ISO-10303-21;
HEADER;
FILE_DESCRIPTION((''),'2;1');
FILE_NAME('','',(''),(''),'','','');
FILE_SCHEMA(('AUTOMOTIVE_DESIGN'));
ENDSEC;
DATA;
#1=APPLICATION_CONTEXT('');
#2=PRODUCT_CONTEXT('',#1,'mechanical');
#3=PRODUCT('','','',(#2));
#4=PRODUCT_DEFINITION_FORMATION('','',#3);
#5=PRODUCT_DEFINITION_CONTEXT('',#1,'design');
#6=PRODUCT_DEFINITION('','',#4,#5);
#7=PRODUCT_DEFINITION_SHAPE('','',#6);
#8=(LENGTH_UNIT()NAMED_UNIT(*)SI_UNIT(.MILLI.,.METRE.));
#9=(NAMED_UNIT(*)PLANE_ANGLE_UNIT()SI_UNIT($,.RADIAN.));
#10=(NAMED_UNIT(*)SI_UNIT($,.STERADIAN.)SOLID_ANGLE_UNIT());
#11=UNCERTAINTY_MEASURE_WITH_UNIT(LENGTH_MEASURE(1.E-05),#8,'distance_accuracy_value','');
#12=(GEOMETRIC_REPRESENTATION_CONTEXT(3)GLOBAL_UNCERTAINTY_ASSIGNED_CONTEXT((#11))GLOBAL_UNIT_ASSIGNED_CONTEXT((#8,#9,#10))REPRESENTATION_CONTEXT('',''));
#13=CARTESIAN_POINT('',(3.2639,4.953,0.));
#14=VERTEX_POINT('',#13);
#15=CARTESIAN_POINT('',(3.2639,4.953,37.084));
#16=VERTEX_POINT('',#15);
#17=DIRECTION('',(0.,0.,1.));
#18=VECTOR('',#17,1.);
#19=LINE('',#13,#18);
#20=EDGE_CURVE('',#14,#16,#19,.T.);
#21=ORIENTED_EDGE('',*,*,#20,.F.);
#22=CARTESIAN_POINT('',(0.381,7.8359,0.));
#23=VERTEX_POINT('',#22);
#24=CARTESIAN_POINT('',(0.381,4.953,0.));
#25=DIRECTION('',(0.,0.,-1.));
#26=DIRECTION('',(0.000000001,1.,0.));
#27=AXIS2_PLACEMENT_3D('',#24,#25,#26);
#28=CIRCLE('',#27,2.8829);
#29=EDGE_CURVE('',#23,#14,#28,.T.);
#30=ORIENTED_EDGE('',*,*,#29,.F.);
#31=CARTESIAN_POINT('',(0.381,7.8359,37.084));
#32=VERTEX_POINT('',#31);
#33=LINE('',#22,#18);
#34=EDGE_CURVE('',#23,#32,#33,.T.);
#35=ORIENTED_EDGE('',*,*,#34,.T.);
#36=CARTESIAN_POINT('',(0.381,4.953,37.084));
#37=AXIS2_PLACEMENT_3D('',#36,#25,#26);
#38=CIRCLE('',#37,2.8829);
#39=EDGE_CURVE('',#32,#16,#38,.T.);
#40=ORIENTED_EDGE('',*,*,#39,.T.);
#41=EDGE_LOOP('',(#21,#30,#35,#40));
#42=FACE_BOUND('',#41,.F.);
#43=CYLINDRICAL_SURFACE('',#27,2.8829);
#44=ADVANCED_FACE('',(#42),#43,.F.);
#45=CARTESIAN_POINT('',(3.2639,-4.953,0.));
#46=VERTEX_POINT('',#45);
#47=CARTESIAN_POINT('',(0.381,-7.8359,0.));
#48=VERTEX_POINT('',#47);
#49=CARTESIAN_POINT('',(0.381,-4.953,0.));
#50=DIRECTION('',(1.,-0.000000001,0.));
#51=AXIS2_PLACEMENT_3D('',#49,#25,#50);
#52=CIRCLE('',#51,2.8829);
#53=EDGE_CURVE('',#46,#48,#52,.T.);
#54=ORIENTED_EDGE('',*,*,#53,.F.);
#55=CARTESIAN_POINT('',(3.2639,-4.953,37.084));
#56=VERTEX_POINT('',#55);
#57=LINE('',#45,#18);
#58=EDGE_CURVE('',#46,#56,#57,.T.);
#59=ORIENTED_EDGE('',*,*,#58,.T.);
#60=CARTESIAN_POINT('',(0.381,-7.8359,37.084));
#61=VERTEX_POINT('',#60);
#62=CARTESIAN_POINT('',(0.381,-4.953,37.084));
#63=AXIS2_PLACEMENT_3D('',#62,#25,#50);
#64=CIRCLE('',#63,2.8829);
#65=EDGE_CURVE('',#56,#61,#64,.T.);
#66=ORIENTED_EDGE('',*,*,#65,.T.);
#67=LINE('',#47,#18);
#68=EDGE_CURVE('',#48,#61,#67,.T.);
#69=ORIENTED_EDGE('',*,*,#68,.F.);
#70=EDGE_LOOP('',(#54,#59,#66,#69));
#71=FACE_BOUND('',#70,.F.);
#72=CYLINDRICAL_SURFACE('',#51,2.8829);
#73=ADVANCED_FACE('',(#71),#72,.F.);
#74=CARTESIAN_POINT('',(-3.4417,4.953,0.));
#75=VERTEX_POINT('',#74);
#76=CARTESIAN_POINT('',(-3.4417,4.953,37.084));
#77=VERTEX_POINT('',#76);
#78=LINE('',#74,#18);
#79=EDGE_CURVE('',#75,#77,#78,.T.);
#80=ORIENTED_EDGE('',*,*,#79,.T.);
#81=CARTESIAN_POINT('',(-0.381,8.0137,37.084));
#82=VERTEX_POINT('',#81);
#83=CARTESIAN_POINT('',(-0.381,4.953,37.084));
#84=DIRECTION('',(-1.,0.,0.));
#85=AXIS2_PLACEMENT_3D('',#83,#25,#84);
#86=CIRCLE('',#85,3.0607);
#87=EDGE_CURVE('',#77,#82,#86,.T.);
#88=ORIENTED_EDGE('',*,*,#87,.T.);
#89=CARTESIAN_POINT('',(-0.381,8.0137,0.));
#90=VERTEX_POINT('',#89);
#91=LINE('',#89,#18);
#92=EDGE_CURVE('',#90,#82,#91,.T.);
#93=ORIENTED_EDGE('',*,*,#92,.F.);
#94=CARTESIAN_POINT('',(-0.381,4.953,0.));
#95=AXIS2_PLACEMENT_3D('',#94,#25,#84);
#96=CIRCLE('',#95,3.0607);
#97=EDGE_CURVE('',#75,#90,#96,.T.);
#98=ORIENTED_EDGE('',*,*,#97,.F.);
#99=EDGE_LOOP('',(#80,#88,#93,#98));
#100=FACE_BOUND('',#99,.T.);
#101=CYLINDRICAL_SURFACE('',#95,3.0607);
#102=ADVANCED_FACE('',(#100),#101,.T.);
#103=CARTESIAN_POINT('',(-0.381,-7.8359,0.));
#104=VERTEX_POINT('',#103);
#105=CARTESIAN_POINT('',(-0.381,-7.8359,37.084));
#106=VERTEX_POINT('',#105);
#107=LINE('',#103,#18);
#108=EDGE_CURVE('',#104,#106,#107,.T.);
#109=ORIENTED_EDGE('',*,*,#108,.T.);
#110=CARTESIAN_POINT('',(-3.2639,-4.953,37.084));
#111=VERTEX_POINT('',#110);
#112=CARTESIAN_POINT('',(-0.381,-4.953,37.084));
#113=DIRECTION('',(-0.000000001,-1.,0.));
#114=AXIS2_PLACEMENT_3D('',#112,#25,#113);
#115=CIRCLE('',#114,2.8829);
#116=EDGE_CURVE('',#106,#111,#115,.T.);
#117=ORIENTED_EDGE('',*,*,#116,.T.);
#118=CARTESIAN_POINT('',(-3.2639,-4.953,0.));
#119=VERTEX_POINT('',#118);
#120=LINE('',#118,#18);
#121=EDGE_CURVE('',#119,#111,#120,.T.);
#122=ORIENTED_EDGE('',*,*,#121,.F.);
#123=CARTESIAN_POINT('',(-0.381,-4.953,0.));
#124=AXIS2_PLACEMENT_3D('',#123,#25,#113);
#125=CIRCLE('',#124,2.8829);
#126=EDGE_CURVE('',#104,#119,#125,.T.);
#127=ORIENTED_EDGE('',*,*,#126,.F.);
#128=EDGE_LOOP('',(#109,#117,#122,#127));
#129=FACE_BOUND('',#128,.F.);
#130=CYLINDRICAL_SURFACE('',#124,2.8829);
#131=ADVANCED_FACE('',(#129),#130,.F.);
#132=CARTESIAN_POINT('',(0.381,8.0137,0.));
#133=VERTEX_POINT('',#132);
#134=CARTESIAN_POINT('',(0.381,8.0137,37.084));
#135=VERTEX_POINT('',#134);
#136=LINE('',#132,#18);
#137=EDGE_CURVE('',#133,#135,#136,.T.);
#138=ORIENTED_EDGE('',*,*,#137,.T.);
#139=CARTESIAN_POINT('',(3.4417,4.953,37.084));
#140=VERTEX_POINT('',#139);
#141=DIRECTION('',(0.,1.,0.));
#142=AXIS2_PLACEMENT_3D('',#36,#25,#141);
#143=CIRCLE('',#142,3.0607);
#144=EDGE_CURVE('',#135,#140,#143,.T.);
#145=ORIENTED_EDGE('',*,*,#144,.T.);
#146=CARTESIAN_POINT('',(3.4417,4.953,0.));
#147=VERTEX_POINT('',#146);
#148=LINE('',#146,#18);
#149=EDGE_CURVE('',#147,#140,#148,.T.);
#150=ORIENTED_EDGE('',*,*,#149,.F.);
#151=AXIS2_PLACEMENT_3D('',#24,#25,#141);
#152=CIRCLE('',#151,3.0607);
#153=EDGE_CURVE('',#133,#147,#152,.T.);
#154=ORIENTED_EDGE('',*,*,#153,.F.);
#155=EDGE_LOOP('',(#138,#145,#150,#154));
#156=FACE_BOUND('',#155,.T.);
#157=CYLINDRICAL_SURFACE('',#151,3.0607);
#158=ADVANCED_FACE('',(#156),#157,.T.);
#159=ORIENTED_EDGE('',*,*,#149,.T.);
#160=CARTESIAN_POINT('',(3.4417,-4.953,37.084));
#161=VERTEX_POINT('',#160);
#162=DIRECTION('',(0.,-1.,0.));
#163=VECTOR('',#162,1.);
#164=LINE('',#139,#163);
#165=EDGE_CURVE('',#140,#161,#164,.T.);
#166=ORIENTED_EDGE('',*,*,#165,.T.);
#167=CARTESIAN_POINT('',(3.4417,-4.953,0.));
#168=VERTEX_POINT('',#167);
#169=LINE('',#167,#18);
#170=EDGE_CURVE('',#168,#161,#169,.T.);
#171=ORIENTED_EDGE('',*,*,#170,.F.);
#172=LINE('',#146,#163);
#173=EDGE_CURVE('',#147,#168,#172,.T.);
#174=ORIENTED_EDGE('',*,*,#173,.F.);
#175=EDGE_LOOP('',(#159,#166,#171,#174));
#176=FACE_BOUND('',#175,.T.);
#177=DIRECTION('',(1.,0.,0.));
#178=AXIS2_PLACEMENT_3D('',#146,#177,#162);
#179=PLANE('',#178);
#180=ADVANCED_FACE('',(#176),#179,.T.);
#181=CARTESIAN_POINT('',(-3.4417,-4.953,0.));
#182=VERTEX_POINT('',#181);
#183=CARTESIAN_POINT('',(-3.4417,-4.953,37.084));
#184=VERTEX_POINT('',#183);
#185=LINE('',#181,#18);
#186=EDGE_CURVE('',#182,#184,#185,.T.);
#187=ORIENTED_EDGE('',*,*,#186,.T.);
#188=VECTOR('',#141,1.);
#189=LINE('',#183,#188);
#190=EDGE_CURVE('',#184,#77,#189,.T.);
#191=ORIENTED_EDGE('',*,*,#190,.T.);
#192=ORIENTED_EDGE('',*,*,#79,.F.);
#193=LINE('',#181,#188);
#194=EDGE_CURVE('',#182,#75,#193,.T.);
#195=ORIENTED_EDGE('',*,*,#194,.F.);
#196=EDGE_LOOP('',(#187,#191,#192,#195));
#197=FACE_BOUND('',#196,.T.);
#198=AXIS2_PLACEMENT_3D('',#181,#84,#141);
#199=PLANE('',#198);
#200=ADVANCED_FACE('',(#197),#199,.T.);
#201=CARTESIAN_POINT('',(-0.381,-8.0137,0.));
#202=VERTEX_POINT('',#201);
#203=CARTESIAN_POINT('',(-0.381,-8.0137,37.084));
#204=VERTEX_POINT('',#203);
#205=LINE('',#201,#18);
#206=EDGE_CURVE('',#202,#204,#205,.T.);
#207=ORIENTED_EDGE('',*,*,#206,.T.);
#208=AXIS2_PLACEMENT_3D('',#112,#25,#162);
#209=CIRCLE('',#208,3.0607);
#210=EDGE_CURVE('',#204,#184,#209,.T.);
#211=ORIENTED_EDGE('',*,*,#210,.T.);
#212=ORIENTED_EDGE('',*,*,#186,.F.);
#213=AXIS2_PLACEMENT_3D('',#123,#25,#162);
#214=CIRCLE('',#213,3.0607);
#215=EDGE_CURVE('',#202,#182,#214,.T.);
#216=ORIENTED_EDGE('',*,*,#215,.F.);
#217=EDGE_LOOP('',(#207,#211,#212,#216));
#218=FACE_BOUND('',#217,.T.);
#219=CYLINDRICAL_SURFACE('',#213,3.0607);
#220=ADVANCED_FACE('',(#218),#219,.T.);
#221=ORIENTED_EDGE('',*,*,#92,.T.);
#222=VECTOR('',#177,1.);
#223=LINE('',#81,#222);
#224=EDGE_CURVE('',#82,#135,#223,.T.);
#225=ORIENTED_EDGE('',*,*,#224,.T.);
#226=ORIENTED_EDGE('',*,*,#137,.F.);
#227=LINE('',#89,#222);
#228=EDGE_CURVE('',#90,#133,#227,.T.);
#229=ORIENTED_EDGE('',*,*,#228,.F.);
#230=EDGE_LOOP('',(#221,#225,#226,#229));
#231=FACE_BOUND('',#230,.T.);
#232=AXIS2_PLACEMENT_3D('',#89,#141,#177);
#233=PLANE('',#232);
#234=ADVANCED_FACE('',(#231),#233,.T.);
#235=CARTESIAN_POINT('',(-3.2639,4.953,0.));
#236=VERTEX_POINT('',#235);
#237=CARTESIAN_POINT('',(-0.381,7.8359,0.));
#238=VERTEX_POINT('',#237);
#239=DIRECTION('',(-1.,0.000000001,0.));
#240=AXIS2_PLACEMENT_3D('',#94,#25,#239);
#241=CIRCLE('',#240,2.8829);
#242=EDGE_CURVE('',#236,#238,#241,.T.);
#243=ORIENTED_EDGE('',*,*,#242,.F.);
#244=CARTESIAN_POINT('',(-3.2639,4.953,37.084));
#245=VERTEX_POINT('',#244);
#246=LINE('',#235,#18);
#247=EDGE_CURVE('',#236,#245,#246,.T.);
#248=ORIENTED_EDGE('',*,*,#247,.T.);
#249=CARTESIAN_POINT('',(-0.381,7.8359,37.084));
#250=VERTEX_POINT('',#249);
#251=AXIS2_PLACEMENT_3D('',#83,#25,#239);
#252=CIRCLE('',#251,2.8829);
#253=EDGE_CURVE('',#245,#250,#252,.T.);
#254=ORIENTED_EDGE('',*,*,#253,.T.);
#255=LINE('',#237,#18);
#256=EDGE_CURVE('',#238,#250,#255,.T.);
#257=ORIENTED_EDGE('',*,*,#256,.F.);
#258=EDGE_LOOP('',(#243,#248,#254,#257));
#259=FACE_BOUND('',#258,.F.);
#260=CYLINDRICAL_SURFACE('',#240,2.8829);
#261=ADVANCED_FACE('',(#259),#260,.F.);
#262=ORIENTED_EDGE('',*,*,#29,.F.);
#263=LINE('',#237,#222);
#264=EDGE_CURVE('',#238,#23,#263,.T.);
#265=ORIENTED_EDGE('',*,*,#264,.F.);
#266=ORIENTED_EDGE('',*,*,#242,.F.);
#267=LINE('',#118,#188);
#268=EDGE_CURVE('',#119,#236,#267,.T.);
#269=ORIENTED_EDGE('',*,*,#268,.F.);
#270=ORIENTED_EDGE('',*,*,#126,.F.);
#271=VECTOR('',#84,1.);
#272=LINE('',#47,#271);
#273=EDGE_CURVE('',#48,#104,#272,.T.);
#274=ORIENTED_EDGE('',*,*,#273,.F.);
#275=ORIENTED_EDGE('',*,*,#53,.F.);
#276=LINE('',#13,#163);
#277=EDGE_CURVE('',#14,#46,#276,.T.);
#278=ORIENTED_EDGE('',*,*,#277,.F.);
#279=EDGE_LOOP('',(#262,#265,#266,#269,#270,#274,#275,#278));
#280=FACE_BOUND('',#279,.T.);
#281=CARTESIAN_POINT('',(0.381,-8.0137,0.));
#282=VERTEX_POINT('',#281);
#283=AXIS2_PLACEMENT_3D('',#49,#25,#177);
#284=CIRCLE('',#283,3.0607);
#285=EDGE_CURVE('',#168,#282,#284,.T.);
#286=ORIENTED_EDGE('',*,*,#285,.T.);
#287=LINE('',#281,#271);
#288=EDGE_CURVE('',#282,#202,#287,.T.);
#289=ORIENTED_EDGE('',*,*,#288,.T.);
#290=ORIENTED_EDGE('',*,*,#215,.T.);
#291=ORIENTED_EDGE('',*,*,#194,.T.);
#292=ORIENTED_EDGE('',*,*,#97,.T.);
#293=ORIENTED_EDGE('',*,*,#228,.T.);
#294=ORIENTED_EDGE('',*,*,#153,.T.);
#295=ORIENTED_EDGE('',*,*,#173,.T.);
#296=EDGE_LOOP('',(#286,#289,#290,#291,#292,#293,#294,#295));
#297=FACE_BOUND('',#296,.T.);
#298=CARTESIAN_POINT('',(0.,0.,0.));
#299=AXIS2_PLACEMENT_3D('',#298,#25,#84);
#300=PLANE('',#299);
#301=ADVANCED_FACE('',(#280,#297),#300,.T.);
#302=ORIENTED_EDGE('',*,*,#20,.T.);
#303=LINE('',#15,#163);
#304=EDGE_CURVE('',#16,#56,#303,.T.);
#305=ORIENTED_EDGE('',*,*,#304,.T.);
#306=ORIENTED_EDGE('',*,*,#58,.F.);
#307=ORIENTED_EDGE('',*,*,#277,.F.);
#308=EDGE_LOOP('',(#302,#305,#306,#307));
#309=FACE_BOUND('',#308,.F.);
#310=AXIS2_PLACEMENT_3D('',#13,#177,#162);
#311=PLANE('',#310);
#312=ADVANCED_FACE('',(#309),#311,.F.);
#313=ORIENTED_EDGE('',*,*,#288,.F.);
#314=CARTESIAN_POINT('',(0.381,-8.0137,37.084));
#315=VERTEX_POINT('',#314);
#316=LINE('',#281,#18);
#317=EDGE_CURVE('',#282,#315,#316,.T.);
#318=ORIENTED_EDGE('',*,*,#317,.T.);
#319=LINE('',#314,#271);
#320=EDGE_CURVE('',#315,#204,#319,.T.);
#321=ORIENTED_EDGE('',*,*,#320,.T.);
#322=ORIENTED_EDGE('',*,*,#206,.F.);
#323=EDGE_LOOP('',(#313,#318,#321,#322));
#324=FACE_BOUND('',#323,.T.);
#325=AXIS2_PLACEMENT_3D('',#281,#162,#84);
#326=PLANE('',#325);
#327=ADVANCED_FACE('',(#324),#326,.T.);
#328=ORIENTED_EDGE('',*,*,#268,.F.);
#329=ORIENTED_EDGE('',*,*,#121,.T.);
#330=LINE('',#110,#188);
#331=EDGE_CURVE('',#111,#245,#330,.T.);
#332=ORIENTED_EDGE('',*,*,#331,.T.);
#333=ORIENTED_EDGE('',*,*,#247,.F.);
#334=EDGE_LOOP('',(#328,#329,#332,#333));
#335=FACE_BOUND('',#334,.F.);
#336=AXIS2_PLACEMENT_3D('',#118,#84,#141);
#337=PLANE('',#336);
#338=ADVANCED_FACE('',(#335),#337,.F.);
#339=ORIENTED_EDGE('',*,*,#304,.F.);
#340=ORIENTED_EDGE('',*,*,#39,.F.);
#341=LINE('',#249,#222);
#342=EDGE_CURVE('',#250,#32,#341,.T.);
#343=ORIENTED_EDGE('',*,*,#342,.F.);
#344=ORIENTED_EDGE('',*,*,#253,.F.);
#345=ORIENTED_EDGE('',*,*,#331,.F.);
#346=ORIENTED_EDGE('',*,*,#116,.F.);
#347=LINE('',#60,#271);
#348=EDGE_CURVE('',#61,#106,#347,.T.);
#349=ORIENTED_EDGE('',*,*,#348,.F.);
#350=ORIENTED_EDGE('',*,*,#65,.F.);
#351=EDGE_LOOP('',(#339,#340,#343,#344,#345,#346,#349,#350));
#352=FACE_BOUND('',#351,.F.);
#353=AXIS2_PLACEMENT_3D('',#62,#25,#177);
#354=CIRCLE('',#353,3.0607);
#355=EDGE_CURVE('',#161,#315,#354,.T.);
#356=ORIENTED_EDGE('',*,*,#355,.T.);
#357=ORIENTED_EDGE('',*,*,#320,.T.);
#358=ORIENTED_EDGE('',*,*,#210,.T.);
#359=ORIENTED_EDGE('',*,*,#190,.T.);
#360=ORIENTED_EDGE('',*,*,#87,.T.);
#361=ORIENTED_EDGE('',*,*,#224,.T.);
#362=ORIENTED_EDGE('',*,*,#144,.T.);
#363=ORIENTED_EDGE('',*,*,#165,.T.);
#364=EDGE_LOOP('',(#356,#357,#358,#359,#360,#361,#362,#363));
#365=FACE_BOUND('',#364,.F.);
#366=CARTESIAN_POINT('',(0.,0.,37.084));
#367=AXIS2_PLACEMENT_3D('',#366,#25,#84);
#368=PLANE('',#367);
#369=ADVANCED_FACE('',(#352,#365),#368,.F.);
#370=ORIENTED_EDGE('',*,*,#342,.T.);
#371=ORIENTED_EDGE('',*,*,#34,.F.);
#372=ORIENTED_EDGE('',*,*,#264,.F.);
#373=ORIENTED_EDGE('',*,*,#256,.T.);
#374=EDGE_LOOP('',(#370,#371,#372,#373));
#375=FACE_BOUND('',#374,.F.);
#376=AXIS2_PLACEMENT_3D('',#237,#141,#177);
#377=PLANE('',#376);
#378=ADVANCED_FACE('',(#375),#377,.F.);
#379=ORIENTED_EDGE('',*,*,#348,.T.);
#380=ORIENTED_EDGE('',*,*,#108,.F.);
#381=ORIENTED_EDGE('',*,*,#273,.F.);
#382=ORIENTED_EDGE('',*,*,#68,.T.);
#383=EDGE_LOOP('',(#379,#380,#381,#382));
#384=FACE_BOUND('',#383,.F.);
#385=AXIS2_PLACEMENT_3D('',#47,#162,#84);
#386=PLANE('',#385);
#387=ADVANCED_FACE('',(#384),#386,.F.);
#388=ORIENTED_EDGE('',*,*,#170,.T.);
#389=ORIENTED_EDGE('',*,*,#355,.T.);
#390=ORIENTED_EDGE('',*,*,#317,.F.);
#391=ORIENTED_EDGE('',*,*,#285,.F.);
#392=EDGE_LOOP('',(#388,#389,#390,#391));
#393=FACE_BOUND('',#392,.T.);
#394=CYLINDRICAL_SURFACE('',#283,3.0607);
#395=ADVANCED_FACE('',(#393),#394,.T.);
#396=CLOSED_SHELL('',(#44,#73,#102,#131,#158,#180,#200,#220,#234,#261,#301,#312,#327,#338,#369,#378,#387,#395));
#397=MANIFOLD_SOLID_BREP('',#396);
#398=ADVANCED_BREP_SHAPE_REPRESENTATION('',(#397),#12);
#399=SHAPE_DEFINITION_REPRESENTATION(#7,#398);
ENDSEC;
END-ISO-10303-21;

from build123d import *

# Parameters (mm, degrees)
EXTRUDE1_DEPTH = 37.084


with BuildPart() as part:
    # Sketch1 → Extrude1 (new body)
    with BuildSketch(Plane.XY):
        with BuildLine():
            Line((3.4417, 4.953), (3.4417, -4.953))
            ThreePointArc((3.4417, -4.953), (2.545241725, -7.117241725), (0.381, -8.0137))
            Line((0.381, -8.0137), (-0.381, -8.0137))
            ThreePointArc((-0.381, -8.0137), (-2.545241725, -7.117241725), (-3.4417, -4.953))
            Line((-3.4417, -4.953), (-3.4417, 4.953))
            ThreePointArc((-3.4417, 4.953), (-2.545241725, 7.117241725), (-0.381, 8.0137))
            Line((-0.381, 8.0137), (0.381, 8.0137))
            ThreePointArc((0.381, 8.0137), (2.545241725, 7.117241725), (3.4417, 4.953))
        make_face()
        with BuildLine():
            Line((3.2639, 4.953), (3.2639, -4.953))
            ThreePointArc((3.2639, -4.953), (2.419518139, -6.991518139), (0.381, -7.8359))
            Line((0.381, -7.8359), (-0.381, -7.8359))
            ThreePointArc((-0.381, -7.8359), (-2.419518139, -6.991518139), (-3.2639, -4.953))
            Line((-3.2639, -4.953), (-3.2639, 4.953))
            ThreePointArc((-3.2639, 4.953), (-2.419518139, 6.991518139), (-0.381, 7.8359))
            Line((-0.381, 7.8359), (0.381, 7.8359))
            ThreePointArc((0.381, 7.8359), (2.419518139, 6.991518139), (3.2639, 4.953))
        make_face(mode=Mode.SUBTRACT)
    extrude(amount=EXTRUDE1_DEPTH)


solid = part.part
